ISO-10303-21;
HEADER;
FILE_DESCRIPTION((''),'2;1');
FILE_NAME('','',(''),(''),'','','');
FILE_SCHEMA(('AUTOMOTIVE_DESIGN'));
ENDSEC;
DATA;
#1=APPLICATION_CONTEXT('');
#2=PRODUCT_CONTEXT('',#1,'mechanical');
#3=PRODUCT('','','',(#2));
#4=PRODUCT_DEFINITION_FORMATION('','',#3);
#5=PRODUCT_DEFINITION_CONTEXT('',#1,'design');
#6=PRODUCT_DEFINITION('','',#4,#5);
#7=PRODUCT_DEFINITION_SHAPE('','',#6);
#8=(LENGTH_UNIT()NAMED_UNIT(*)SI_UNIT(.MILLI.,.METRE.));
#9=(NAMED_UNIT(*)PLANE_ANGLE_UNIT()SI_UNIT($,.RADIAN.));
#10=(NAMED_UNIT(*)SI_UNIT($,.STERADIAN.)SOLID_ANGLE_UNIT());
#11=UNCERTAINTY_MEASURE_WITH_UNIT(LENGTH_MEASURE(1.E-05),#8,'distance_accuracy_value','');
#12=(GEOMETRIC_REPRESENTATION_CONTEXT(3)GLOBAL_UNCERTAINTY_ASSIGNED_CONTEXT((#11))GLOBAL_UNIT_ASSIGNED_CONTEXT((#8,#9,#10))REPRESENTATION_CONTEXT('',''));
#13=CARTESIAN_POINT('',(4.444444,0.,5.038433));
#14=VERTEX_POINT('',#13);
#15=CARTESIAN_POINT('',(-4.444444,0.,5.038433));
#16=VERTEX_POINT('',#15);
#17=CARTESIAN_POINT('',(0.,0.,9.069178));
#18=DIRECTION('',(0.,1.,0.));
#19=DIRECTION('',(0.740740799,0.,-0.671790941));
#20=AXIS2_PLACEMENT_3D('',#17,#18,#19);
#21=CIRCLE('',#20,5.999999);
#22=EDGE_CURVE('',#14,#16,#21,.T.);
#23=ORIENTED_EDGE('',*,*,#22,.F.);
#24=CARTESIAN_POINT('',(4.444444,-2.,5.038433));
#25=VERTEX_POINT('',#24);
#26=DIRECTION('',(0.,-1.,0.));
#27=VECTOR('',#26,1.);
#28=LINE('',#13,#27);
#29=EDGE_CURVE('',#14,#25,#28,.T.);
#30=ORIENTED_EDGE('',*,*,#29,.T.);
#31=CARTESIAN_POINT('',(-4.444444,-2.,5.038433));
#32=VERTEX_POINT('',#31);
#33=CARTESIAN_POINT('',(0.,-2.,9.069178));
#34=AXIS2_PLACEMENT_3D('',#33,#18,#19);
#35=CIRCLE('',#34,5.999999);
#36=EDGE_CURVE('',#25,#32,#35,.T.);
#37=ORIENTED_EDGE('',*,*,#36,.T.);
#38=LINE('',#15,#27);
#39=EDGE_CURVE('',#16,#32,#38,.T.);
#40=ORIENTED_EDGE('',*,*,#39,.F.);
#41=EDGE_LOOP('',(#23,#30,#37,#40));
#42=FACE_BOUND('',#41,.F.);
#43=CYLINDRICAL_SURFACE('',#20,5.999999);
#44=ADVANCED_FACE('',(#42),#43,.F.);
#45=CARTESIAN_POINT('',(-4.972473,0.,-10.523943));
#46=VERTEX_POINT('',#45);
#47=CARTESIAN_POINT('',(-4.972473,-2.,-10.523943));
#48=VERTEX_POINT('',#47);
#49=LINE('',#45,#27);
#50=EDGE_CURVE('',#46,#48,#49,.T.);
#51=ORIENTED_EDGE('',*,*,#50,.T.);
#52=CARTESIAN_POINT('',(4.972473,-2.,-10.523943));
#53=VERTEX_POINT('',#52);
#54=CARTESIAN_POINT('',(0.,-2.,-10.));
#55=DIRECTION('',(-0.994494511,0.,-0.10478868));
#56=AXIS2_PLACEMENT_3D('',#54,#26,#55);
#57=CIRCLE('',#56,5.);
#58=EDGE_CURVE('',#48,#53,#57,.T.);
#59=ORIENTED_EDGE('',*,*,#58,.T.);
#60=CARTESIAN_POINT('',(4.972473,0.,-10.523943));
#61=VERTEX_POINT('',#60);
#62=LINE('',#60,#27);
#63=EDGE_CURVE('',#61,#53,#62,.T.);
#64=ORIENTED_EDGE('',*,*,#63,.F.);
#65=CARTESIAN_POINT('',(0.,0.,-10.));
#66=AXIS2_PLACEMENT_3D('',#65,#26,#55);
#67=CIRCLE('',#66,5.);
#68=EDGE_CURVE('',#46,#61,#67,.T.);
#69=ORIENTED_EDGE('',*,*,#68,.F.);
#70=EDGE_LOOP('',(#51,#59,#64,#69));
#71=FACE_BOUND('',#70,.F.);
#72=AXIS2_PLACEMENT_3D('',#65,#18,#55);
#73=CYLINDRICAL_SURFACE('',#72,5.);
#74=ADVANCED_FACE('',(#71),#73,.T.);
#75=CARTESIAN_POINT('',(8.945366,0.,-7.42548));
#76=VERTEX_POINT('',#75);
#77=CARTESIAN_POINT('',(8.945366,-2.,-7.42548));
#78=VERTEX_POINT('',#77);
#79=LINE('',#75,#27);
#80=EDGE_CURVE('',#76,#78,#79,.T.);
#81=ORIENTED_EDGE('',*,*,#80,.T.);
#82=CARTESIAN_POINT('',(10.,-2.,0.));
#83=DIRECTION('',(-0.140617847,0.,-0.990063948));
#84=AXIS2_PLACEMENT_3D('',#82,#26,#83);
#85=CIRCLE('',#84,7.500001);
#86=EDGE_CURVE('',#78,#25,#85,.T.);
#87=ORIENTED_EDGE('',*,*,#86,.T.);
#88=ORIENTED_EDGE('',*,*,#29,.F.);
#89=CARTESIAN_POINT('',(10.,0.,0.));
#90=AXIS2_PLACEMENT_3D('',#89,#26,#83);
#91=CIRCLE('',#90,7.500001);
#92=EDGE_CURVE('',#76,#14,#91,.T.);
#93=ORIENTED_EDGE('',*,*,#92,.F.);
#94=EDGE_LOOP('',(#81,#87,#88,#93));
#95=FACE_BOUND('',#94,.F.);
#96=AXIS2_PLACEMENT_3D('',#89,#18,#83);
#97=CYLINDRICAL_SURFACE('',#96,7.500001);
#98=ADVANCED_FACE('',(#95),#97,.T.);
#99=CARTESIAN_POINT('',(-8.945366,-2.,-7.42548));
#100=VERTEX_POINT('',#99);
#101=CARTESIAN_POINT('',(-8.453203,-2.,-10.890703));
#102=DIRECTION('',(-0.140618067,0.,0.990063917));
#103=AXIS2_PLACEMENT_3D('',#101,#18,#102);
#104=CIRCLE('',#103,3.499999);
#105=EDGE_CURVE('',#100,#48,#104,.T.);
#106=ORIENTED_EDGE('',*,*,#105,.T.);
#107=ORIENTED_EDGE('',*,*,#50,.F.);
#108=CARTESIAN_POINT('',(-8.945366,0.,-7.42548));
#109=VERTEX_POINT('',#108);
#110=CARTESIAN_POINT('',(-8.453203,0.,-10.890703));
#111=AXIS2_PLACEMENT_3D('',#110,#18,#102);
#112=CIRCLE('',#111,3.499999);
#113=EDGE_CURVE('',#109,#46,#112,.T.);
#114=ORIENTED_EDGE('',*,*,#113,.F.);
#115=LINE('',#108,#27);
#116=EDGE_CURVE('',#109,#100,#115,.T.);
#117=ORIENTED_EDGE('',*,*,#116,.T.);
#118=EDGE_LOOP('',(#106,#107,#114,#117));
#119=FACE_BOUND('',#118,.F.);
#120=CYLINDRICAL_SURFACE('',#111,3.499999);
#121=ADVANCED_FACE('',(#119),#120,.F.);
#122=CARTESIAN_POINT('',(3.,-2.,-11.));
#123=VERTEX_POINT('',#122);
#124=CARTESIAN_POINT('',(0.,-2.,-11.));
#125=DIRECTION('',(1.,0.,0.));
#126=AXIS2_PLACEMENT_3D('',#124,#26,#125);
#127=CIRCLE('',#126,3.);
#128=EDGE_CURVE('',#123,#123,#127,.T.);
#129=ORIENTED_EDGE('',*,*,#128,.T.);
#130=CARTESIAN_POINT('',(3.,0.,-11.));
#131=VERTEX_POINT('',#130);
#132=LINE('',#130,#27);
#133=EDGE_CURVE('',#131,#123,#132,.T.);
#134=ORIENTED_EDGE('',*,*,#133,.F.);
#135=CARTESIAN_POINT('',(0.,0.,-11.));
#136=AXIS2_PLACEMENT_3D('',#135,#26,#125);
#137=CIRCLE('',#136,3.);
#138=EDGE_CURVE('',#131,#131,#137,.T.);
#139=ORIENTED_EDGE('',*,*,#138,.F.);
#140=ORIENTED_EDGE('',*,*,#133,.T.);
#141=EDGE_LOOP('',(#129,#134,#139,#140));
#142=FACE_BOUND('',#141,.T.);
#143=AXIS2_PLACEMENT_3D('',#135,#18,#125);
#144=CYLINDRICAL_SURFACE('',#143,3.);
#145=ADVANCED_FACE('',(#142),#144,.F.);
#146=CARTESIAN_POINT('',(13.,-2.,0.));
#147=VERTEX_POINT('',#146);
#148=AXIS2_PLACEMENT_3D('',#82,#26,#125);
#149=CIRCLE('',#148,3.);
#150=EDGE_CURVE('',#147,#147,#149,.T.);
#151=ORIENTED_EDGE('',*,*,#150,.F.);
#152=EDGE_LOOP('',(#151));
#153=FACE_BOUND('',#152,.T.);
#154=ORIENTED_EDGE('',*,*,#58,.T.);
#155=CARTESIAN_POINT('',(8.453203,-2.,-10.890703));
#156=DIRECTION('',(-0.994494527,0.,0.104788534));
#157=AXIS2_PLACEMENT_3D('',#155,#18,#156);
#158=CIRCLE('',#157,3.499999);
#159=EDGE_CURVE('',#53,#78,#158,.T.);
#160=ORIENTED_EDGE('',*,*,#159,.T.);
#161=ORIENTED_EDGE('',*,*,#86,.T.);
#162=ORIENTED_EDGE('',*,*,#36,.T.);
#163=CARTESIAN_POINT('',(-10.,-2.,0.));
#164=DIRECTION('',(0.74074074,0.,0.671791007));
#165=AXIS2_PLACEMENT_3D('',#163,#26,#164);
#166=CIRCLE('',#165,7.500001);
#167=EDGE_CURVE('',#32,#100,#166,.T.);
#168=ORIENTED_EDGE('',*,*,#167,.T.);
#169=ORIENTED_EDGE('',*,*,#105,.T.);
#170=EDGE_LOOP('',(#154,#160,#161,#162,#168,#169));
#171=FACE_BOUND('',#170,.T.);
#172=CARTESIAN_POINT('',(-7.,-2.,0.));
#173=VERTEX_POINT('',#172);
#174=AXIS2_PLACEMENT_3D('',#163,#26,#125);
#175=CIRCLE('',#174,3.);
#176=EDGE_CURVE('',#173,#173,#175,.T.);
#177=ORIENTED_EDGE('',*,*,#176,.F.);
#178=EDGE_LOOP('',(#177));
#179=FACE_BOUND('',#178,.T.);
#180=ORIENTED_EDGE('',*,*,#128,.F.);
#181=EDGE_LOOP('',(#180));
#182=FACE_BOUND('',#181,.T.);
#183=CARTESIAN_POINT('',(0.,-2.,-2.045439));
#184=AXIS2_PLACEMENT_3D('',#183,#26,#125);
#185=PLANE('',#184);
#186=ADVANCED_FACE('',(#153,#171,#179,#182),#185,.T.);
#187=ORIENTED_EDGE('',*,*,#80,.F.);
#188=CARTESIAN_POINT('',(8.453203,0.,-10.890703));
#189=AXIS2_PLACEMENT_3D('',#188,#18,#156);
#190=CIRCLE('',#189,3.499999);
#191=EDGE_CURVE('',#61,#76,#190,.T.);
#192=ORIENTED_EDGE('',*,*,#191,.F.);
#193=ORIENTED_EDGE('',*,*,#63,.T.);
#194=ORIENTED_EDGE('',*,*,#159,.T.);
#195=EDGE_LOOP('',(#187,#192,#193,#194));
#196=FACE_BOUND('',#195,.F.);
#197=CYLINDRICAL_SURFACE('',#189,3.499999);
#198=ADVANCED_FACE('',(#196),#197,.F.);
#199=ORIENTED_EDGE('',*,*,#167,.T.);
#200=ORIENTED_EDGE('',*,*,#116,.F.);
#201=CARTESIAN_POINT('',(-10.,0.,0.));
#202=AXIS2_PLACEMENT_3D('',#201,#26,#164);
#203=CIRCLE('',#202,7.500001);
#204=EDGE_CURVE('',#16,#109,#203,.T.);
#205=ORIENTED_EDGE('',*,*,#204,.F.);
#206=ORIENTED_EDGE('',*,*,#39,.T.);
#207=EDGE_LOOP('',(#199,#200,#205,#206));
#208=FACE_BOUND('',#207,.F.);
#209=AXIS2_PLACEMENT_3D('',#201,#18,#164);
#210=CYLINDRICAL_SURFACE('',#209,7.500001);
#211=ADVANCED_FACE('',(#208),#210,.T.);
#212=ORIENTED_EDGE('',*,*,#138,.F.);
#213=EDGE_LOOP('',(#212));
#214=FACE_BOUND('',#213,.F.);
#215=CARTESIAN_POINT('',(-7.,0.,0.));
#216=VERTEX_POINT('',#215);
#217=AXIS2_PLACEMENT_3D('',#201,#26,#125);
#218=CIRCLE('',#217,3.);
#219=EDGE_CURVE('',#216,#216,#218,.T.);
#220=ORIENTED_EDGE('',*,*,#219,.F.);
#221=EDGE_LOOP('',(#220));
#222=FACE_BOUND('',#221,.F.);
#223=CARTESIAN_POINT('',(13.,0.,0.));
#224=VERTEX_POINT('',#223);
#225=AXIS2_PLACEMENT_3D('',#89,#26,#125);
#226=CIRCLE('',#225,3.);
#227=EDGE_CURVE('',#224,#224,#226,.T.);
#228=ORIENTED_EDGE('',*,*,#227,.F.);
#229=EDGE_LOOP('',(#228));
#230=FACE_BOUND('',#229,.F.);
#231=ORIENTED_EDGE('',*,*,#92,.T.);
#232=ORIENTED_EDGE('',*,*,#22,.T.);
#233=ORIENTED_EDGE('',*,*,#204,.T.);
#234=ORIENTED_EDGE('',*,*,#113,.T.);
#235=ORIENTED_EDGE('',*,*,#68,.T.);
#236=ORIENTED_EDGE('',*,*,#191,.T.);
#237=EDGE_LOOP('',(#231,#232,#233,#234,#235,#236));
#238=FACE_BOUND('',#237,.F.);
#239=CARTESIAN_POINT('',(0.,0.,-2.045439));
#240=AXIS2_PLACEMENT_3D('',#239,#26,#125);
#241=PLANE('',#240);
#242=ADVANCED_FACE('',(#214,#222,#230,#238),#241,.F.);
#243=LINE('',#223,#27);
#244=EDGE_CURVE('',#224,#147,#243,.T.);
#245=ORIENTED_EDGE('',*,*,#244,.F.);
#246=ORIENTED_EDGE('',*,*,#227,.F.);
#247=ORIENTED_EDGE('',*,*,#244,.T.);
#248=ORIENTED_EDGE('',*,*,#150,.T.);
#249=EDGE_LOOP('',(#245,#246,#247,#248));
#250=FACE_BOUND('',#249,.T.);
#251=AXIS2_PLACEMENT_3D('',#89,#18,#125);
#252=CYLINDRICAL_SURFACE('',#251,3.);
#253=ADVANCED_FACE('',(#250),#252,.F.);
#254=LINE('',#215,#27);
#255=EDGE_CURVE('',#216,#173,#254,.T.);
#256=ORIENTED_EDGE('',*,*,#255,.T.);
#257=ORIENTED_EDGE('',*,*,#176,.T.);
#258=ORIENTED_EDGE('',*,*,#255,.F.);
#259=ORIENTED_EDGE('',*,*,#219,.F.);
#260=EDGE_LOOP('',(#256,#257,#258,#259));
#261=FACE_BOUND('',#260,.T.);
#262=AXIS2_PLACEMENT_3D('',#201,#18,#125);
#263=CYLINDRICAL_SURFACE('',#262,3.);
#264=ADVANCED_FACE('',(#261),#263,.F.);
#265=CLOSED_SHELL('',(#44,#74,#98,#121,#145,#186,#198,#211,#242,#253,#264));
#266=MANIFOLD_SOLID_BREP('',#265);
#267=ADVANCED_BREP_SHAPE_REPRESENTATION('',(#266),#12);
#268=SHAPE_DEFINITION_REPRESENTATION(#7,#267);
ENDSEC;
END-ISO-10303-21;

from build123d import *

# Parameters (mm, degrees)
F0_R     = 3
F1_DEPTH = 2


with BuildPart() as f1:
    # F0 (on Front) → F1 (new body)
    with BuildSketch(Plane.XZ):
        with BuildLine():
            ThreePointArc((4.444444, 5.038433), (0, 3.069179), (-4.444444, 5.038433))
            ThreePointArc((-4.444444, 5.038433), (-17.054143, 2.547366), (-8.945366, -7.42548))
            ThreePointArc((-8.945366, -7.42548), (-6.300762, -8.130813), (-4.972473, -10.523943))
            ThreePointArc((-4.972473, -10.523943), (0, -15), (4.972473, -10.523943))
            ThreePointArc((4.972473, -10.523943), (6.300762, -8.130813), (8.945366, -7.42548))
            ThreePointArc((8.945366, -7.42548), (17.054143, 2.547366), (4.444444, 5.038433))
        make_face()
        with Locations((0, -11)):
            Circle(F0_R, mode=Mode.SUBTRACT)
        with Locations((-10, 0)):
            Circle(F0_R, mode=Mode.SUBTRACT)
        with Locations((10, 0)):
            Circle(F0_R, mode=Mode.SUBTRACT)
    extrude(amount=F1_DEPTH)


solid = f1.part
